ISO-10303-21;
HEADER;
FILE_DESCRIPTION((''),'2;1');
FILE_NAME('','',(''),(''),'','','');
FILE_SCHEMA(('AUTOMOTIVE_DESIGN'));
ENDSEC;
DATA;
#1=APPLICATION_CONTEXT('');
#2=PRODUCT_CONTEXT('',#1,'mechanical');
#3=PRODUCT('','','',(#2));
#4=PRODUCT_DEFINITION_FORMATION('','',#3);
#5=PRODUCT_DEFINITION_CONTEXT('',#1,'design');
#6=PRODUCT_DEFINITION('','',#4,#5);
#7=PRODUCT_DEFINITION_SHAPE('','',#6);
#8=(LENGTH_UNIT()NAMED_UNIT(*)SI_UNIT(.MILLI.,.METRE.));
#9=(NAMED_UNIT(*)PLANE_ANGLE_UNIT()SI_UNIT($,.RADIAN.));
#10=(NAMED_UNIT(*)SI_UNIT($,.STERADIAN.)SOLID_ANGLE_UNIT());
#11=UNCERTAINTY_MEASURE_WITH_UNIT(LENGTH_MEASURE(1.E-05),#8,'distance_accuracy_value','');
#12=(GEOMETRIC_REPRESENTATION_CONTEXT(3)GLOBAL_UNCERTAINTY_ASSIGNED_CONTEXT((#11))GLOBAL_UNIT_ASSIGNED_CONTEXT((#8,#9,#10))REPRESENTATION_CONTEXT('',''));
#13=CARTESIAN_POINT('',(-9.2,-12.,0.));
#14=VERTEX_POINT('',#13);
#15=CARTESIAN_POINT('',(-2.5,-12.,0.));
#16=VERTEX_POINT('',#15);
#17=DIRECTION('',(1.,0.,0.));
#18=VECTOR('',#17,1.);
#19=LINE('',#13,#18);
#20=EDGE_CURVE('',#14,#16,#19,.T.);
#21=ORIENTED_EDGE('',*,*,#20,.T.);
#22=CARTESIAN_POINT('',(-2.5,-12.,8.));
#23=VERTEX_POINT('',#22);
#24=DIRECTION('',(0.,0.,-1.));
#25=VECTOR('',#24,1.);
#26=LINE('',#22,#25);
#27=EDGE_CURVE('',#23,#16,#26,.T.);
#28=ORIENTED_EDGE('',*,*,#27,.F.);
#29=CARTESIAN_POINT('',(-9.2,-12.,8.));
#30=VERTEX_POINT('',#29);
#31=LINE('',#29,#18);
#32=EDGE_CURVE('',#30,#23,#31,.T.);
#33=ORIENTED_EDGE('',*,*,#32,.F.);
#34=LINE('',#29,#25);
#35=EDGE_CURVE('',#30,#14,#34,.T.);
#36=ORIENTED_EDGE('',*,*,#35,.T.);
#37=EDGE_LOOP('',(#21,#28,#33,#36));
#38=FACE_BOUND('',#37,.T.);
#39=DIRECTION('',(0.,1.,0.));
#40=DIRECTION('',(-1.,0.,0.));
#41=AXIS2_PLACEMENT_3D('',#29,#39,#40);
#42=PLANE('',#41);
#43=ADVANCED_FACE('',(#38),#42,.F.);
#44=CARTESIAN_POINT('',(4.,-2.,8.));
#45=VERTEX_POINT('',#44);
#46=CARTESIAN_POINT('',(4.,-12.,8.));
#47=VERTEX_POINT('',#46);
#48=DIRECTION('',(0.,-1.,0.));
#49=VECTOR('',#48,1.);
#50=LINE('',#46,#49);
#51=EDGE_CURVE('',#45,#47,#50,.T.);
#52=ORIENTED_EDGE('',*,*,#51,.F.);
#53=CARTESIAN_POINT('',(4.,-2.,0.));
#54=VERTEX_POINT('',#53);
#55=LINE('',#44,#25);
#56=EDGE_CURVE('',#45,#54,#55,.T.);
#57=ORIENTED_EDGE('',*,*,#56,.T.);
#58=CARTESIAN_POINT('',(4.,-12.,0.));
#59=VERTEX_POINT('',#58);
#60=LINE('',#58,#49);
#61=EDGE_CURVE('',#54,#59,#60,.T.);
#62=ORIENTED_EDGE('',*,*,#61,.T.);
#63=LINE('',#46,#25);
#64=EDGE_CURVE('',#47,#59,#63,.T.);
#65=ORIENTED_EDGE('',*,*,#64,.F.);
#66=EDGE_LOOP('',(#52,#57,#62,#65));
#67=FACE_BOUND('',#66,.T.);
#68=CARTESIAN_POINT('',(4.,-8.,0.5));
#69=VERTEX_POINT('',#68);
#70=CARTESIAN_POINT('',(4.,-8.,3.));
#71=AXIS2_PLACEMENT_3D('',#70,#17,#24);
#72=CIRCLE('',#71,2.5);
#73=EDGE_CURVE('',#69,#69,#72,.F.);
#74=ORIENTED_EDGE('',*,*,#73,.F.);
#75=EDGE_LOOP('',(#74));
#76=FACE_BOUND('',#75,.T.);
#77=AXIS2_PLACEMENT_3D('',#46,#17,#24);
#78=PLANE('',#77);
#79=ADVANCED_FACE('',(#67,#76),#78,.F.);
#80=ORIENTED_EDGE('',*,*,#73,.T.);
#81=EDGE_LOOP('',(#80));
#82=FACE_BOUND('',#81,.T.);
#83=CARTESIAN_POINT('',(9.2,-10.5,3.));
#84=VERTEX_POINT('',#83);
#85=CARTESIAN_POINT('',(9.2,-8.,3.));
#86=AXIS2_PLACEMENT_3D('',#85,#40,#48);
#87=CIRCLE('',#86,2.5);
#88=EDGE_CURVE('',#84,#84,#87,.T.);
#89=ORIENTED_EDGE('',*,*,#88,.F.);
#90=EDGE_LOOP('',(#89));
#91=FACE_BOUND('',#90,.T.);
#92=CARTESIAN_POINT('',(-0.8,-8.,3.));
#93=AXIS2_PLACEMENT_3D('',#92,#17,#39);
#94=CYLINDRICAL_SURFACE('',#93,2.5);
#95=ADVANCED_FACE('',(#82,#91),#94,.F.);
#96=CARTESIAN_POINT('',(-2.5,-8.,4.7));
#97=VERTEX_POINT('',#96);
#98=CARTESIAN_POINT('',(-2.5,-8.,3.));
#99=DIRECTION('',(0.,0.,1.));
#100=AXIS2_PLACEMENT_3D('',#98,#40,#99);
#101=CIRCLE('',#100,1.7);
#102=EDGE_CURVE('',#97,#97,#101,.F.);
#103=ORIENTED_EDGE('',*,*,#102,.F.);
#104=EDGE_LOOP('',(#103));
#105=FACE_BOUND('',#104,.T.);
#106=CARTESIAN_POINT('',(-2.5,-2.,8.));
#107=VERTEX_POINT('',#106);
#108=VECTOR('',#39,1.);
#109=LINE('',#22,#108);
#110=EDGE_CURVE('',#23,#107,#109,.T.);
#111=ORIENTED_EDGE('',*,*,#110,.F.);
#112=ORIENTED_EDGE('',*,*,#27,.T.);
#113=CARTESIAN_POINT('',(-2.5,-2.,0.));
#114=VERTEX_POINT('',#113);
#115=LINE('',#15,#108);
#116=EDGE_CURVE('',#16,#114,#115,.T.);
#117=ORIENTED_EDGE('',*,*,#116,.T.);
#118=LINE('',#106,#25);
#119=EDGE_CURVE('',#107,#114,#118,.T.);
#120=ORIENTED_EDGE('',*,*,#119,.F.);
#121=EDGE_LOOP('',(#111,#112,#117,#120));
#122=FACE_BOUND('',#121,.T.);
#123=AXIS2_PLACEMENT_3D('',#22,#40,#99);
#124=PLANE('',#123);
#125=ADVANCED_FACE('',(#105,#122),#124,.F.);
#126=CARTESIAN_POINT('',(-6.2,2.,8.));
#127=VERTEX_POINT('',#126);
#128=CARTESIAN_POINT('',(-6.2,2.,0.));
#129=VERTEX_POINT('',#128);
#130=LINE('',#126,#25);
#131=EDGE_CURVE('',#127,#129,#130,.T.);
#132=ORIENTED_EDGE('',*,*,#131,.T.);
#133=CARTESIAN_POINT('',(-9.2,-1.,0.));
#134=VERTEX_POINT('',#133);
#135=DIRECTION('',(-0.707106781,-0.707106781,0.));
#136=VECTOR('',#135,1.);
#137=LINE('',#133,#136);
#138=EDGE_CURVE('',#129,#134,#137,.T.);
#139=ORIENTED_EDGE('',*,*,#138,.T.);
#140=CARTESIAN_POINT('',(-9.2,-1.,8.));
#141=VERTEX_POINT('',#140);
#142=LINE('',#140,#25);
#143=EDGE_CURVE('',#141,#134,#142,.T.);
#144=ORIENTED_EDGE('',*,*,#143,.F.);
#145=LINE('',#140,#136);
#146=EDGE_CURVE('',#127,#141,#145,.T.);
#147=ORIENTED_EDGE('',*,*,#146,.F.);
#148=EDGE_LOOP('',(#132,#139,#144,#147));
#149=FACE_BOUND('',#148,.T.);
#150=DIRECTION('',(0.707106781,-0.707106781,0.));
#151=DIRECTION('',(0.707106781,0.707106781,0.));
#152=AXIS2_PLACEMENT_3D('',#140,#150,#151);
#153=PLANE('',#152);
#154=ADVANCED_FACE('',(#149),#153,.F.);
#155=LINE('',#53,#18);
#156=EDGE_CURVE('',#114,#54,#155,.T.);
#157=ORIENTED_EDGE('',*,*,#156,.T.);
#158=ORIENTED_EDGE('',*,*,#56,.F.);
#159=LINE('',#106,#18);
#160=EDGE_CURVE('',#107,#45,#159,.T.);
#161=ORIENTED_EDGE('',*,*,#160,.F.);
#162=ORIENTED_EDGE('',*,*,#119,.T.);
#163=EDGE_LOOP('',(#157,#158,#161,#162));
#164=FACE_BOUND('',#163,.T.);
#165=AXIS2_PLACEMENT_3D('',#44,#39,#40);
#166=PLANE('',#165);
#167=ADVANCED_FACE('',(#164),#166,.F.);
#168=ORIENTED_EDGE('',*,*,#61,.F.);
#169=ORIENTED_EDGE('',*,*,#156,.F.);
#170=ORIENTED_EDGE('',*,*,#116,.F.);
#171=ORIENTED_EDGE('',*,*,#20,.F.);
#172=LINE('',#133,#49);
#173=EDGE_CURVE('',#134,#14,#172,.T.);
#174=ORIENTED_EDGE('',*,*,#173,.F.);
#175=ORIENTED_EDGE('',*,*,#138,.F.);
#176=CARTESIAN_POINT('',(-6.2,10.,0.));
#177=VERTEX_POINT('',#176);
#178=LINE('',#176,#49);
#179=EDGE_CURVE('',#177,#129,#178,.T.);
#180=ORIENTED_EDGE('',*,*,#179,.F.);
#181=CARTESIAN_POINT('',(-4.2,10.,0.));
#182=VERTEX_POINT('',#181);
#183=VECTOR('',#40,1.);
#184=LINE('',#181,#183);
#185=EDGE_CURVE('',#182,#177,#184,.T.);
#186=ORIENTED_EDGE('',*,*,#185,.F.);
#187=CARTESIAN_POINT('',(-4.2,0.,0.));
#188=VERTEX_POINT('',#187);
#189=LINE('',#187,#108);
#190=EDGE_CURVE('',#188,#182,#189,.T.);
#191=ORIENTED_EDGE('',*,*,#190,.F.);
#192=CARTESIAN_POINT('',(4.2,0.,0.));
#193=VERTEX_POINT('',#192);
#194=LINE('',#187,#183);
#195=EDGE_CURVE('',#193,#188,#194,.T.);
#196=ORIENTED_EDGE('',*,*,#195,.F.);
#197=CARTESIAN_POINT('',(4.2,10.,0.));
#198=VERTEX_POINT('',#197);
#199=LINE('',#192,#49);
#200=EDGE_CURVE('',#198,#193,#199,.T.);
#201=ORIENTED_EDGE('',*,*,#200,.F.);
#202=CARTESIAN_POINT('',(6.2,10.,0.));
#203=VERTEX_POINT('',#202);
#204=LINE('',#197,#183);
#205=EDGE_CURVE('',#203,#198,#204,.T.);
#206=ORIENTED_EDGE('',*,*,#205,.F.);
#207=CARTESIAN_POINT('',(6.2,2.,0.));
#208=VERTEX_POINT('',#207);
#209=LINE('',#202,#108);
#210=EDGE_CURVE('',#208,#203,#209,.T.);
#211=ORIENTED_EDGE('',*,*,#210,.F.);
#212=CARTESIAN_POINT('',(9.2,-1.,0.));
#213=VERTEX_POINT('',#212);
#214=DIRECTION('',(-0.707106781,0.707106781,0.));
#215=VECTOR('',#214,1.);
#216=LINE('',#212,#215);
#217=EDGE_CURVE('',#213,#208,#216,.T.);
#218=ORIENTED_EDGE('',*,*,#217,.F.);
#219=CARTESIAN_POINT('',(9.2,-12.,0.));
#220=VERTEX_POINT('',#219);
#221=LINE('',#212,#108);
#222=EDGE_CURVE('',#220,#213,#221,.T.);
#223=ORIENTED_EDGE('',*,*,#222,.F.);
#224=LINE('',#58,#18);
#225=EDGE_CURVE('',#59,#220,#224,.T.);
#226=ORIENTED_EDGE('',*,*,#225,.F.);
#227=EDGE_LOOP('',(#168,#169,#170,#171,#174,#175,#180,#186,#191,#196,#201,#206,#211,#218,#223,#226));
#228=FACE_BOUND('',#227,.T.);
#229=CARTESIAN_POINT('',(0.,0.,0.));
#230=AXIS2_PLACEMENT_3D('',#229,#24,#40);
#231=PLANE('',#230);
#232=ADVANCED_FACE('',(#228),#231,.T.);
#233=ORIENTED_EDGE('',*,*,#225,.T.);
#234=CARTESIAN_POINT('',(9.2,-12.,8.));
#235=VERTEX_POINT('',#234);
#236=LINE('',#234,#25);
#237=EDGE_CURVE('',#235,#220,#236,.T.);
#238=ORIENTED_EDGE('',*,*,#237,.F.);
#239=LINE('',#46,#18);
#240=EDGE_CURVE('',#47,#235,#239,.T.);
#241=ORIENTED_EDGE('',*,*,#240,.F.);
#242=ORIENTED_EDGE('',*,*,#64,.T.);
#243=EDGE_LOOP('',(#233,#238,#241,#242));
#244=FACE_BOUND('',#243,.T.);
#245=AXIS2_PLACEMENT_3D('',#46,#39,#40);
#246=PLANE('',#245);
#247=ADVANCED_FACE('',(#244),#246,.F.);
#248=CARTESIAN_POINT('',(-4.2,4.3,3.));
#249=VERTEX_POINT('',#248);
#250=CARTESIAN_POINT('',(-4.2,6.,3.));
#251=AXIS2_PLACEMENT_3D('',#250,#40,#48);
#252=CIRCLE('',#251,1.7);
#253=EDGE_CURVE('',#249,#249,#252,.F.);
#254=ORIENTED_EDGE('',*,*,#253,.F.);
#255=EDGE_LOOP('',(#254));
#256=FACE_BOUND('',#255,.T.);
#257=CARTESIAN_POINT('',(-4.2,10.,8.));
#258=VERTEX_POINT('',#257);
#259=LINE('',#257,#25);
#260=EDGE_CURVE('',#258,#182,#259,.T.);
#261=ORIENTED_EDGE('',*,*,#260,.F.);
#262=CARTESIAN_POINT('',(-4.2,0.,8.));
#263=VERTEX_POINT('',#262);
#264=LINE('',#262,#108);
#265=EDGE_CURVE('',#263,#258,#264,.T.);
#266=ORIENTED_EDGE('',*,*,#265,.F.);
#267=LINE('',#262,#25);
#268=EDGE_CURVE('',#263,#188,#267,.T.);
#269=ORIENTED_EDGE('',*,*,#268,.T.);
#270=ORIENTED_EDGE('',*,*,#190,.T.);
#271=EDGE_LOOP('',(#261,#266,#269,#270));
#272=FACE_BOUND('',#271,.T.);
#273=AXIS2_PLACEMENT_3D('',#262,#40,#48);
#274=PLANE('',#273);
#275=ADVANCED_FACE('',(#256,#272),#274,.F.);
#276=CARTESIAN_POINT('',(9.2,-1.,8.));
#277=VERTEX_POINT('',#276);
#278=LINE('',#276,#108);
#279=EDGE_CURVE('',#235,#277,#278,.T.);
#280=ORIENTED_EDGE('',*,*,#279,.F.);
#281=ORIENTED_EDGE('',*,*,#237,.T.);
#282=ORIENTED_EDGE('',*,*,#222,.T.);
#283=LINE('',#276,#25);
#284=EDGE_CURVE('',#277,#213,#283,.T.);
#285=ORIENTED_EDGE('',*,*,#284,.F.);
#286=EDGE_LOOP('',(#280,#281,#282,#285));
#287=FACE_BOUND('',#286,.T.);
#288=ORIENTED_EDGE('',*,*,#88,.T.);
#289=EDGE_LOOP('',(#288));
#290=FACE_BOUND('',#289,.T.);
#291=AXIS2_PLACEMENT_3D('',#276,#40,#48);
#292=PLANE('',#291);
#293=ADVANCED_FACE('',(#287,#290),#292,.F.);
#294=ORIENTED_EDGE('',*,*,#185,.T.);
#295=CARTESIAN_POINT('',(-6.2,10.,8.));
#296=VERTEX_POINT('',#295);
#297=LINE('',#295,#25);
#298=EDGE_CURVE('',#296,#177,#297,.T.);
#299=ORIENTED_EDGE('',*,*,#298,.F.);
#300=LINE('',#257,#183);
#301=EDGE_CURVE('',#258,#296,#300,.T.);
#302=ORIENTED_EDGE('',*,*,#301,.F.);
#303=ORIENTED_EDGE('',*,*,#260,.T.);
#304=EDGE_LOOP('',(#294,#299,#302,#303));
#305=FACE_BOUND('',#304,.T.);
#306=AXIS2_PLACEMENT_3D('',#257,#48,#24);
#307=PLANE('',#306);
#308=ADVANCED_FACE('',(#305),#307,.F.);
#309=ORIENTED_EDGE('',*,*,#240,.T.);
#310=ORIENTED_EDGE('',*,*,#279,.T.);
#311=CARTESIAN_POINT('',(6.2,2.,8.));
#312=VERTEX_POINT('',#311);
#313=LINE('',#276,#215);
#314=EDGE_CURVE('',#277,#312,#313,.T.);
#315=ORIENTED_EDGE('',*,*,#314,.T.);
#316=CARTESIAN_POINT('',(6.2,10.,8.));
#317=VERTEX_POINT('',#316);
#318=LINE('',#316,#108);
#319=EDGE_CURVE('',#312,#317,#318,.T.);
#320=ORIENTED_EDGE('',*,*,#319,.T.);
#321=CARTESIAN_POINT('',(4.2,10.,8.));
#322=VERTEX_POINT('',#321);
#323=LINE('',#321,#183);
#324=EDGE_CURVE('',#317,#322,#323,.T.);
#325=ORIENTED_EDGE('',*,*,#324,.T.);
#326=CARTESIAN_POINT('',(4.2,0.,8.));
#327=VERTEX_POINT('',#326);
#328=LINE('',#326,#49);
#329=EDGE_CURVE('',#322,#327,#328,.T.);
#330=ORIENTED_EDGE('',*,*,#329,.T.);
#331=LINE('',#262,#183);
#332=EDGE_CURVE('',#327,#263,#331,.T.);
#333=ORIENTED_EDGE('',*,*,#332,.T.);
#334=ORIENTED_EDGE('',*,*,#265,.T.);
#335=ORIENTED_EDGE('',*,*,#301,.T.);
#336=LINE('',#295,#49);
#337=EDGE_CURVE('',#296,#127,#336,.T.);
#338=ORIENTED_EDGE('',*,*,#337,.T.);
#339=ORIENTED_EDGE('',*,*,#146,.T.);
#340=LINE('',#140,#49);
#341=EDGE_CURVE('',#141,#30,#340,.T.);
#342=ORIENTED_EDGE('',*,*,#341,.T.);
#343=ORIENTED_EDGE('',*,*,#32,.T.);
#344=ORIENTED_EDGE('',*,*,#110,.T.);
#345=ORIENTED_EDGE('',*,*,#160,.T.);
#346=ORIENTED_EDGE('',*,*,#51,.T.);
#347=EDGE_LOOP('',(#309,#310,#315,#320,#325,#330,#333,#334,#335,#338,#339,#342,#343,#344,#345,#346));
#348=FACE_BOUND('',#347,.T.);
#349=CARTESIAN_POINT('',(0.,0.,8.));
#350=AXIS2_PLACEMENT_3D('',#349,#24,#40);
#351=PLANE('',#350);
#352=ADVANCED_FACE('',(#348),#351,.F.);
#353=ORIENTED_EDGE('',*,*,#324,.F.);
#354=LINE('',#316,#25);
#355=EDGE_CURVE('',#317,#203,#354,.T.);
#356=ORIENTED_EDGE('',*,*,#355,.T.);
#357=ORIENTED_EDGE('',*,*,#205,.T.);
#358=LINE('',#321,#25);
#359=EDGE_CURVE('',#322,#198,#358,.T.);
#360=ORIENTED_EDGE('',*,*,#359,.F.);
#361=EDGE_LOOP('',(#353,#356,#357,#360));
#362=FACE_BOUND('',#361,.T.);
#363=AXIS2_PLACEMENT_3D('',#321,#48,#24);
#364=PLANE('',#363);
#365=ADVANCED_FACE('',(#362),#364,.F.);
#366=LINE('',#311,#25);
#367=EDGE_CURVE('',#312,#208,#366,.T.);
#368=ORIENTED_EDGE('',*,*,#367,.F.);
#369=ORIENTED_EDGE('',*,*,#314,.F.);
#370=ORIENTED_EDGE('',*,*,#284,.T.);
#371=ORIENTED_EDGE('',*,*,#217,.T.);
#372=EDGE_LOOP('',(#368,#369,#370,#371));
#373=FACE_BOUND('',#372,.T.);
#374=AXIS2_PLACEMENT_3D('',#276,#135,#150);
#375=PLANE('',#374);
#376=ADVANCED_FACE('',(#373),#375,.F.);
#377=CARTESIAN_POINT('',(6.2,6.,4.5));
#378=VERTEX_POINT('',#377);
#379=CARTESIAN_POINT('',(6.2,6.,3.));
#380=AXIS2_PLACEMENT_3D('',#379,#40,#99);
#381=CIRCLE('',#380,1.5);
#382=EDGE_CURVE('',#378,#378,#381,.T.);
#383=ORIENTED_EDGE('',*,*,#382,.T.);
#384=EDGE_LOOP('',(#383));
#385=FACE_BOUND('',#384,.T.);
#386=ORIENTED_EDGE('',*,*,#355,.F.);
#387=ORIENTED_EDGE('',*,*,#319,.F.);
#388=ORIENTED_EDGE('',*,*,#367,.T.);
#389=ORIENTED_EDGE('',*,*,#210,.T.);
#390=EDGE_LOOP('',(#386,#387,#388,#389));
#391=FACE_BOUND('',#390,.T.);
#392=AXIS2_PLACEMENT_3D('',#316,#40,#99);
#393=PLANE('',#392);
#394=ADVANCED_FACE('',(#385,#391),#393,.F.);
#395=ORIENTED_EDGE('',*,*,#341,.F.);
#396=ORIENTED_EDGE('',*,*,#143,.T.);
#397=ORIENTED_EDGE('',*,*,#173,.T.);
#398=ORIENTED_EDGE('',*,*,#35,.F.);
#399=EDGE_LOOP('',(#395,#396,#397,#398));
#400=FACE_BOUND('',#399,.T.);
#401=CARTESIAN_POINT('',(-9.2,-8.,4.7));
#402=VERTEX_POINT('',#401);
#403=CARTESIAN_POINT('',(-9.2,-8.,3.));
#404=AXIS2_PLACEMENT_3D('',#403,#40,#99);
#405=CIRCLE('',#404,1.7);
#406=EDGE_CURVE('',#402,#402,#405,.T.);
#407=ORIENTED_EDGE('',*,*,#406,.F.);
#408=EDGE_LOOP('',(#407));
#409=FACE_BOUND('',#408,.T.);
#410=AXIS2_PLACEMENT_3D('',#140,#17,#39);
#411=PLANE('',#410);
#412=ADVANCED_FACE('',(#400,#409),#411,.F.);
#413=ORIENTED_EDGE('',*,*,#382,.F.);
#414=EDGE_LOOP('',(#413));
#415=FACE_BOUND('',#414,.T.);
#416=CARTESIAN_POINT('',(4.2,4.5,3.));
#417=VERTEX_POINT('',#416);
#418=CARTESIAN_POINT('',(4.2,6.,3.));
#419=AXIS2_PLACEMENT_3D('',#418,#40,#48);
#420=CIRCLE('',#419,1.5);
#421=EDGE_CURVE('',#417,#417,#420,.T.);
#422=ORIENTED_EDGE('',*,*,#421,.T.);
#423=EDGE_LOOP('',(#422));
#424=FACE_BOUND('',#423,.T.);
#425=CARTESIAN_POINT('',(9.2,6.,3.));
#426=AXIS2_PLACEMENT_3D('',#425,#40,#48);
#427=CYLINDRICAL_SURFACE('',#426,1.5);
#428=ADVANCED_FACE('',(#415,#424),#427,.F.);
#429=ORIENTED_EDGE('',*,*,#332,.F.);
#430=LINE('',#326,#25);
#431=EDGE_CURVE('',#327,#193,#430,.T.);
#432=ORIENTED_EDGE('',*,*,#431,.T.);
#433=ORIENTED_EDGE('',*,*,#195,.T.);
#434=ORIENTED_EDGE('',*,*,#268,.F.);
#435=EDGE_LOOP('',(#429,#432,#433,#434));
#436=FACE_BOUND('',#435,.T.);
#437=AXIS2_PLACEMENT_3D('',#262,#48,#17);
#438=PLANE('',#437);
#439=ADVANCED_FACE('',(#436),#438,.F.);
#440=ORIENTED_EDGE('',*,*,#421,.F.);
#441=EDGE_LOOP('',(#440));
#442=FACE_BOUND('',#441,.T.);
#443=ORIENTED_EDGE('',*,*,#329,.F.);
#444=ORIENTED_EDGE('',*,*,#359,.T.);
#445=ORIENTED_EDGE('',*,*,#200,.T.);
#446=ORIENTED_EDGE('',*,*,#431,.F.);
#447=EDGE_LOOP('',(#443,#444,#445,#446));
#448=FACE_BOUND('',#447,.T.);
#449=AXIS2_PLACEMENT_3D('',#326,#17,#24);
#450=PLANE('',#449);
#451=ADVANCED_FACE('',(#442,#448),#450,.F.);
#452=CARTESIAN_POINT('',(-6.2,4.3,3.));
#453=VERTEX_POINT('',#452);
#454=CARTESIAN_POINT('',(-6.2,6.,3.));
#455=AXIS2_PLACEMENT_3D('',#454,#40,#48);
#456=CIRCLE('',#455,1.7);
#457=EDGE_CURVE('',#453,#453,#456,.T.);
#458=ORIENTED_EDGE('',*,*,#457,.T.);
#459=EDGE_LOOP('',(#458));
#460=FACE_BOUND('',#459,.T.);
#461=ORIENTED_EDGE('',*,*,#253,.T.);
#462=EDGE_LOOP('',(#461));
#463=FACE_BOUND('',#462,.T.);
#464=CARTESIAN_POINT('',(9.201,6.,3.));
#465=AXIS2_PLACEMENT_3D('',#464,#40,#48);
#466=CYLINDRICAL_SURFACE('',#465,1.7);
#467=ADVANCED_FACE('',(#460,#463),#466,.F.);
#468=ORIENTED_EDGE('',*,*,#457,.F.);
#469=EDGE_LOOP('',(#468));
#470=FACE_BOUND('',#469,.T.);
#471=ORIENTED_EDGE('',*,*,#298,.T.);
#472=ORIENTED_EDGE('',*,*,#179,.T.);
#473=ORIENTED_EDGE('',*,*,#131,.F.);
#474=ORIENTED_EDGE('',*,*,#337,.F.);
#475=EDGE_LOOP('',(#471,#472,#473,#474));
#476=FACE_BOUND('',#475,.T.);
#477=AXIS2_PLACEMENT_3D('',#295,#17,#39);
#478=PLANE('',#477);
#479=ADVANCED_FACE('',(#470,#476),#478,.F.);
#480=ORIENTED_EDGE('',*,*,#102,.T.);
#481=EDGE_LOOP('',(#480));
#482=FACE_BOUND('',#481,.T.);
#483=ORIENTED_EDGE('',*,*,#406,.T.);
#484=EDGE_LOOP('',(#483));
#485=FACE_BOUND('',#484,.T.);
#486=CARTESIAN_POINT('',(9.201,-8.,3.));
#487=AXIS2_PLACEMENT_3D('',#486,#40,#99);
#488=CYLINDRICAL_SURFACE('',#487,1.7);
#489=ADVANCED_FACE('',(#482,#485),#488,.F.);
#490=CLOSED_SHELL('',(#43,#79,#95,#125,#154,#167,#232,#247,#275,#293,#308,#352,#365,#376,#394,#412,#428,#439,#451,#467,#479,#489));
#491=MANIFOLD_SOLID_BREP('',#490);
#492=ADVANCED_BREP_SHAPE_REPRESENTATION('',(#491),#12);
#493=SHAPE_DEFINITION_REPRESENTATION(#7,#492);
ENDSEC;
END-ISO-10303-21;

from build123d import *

# Parameters (mm, degrees)
AUFSATZ_LINEAR_AUSTRAGEN1_DEPTH = 8
SKIZZE3_R                       = 2.5
SCHNITT_LINEAR_AUSTRAGEN1_DEPTH = 10
SCHNITT_LINEAR_AUSTRAGEN2_REACH = 25.379
SKIZZE4_R                       = 1.7
SCHNITT_LINEAR_AUSTRAGEN3_REACH = 23.099
SKIZZE5_R                       = 1.7
SKIZZE6_R                       = 1.5
SCHNITT_LINEAR_AUSTRAGEN4_DEPTH = 5


with BuildPart() as part:
    # Skizze2 → Aufsatz-Linear austragen1 (new body)
    with BuildSketch(Plane.XY):
        Polygon((-4.2, 0), (4.2, 0), (4.2, 10), (6.2, 10), (6.2, 2), (9.2, -1), (9.2, -12), (4, -12), (4, -2), (0, -2), (-2.5, -2), (-2.5, -12), (-9.2, -12), (-9.2, -1), (-6.2, 2), (-6.2, 10), (-4.2, 10), align=None)
    extrude(amount=AUFSATZ_LINEAR_AUSTRAGEN1_DEPTH)

    # Skizze3 → Schnitt-Linear austragen1 (cut)
    with BuildSketch(Plane.ZY.offset(-9.2)):
        with Locations(Location((3, -8, 0), (0, 0, 180))):
            Circle(SKIZZE3_R)
    extrude(amount=SCHNITT_LINEAR_AUSTRAGEN1_DEPTH, mode=Mode.SUBTRACT)

    # Skizze4 → Schnitt-Linear austragen2 (cut, up to next)
    with BuildSketch(Plane.ZY.offset(9.2), mode=Mode.PRIVATE) as schnitt_linear_austragen2_sk1:
        with Locations((3, -8)):
            Circle(SKIZZE4_R)
    schnitt_linear_austragen2_tool1 = extrude(schnitt_linear_austragen2_sk1.sketch, amount=-SCHNITT_LINEAR_AUSTRAGEN2_REACH, mode=Mode.PRIVATE) & part.part
    add(schnitt_linear_austragen2_tool1.solids().sort_by_distance((-9.2, -8, 3))[0], mode=Mode.SUBTRACT)

    # Skizze5 → Schnitt-Linear austragen3 (cut, up to next)
    with BuildSketch(Plane.ZY.offset(6.2), mode=Mode.PRIVATE) as schnitt_linear_austragen3_sk1:
        with Locations(Location((3, 6, 0), (0, 0, 270))):
            Circle(SKIZZE5_R)
    schnitt_linear_austragen3_tool1 = extrude(schnitt_linear_austragen3_sk1.sketch, amount=-SCHNITT_LINEAR_AUSTRAGEN3_REACH, mode=Mode.PRIVATE) & part.part
    add(schnitt_linear_austragen3_tool1.solids().sort_by_distance((-6.2, 6, 3))[0], mode=Mode.SUBTRACT)

    # Skizze6 → Schnitt-Linear austragen4 (cut)
    with BuildSketch(Plane.ZY.offset(-4.2)):
        with Locations(Location((3, 6, 0), (0, 0, 270))):
            Circle(SKIZZE6_R)
    extrude(amount=-SCHNITT_LINEAR_AUSTRAGEN4_DEPTH, mode=Mode.SUBTRACT)


solid = part.part
